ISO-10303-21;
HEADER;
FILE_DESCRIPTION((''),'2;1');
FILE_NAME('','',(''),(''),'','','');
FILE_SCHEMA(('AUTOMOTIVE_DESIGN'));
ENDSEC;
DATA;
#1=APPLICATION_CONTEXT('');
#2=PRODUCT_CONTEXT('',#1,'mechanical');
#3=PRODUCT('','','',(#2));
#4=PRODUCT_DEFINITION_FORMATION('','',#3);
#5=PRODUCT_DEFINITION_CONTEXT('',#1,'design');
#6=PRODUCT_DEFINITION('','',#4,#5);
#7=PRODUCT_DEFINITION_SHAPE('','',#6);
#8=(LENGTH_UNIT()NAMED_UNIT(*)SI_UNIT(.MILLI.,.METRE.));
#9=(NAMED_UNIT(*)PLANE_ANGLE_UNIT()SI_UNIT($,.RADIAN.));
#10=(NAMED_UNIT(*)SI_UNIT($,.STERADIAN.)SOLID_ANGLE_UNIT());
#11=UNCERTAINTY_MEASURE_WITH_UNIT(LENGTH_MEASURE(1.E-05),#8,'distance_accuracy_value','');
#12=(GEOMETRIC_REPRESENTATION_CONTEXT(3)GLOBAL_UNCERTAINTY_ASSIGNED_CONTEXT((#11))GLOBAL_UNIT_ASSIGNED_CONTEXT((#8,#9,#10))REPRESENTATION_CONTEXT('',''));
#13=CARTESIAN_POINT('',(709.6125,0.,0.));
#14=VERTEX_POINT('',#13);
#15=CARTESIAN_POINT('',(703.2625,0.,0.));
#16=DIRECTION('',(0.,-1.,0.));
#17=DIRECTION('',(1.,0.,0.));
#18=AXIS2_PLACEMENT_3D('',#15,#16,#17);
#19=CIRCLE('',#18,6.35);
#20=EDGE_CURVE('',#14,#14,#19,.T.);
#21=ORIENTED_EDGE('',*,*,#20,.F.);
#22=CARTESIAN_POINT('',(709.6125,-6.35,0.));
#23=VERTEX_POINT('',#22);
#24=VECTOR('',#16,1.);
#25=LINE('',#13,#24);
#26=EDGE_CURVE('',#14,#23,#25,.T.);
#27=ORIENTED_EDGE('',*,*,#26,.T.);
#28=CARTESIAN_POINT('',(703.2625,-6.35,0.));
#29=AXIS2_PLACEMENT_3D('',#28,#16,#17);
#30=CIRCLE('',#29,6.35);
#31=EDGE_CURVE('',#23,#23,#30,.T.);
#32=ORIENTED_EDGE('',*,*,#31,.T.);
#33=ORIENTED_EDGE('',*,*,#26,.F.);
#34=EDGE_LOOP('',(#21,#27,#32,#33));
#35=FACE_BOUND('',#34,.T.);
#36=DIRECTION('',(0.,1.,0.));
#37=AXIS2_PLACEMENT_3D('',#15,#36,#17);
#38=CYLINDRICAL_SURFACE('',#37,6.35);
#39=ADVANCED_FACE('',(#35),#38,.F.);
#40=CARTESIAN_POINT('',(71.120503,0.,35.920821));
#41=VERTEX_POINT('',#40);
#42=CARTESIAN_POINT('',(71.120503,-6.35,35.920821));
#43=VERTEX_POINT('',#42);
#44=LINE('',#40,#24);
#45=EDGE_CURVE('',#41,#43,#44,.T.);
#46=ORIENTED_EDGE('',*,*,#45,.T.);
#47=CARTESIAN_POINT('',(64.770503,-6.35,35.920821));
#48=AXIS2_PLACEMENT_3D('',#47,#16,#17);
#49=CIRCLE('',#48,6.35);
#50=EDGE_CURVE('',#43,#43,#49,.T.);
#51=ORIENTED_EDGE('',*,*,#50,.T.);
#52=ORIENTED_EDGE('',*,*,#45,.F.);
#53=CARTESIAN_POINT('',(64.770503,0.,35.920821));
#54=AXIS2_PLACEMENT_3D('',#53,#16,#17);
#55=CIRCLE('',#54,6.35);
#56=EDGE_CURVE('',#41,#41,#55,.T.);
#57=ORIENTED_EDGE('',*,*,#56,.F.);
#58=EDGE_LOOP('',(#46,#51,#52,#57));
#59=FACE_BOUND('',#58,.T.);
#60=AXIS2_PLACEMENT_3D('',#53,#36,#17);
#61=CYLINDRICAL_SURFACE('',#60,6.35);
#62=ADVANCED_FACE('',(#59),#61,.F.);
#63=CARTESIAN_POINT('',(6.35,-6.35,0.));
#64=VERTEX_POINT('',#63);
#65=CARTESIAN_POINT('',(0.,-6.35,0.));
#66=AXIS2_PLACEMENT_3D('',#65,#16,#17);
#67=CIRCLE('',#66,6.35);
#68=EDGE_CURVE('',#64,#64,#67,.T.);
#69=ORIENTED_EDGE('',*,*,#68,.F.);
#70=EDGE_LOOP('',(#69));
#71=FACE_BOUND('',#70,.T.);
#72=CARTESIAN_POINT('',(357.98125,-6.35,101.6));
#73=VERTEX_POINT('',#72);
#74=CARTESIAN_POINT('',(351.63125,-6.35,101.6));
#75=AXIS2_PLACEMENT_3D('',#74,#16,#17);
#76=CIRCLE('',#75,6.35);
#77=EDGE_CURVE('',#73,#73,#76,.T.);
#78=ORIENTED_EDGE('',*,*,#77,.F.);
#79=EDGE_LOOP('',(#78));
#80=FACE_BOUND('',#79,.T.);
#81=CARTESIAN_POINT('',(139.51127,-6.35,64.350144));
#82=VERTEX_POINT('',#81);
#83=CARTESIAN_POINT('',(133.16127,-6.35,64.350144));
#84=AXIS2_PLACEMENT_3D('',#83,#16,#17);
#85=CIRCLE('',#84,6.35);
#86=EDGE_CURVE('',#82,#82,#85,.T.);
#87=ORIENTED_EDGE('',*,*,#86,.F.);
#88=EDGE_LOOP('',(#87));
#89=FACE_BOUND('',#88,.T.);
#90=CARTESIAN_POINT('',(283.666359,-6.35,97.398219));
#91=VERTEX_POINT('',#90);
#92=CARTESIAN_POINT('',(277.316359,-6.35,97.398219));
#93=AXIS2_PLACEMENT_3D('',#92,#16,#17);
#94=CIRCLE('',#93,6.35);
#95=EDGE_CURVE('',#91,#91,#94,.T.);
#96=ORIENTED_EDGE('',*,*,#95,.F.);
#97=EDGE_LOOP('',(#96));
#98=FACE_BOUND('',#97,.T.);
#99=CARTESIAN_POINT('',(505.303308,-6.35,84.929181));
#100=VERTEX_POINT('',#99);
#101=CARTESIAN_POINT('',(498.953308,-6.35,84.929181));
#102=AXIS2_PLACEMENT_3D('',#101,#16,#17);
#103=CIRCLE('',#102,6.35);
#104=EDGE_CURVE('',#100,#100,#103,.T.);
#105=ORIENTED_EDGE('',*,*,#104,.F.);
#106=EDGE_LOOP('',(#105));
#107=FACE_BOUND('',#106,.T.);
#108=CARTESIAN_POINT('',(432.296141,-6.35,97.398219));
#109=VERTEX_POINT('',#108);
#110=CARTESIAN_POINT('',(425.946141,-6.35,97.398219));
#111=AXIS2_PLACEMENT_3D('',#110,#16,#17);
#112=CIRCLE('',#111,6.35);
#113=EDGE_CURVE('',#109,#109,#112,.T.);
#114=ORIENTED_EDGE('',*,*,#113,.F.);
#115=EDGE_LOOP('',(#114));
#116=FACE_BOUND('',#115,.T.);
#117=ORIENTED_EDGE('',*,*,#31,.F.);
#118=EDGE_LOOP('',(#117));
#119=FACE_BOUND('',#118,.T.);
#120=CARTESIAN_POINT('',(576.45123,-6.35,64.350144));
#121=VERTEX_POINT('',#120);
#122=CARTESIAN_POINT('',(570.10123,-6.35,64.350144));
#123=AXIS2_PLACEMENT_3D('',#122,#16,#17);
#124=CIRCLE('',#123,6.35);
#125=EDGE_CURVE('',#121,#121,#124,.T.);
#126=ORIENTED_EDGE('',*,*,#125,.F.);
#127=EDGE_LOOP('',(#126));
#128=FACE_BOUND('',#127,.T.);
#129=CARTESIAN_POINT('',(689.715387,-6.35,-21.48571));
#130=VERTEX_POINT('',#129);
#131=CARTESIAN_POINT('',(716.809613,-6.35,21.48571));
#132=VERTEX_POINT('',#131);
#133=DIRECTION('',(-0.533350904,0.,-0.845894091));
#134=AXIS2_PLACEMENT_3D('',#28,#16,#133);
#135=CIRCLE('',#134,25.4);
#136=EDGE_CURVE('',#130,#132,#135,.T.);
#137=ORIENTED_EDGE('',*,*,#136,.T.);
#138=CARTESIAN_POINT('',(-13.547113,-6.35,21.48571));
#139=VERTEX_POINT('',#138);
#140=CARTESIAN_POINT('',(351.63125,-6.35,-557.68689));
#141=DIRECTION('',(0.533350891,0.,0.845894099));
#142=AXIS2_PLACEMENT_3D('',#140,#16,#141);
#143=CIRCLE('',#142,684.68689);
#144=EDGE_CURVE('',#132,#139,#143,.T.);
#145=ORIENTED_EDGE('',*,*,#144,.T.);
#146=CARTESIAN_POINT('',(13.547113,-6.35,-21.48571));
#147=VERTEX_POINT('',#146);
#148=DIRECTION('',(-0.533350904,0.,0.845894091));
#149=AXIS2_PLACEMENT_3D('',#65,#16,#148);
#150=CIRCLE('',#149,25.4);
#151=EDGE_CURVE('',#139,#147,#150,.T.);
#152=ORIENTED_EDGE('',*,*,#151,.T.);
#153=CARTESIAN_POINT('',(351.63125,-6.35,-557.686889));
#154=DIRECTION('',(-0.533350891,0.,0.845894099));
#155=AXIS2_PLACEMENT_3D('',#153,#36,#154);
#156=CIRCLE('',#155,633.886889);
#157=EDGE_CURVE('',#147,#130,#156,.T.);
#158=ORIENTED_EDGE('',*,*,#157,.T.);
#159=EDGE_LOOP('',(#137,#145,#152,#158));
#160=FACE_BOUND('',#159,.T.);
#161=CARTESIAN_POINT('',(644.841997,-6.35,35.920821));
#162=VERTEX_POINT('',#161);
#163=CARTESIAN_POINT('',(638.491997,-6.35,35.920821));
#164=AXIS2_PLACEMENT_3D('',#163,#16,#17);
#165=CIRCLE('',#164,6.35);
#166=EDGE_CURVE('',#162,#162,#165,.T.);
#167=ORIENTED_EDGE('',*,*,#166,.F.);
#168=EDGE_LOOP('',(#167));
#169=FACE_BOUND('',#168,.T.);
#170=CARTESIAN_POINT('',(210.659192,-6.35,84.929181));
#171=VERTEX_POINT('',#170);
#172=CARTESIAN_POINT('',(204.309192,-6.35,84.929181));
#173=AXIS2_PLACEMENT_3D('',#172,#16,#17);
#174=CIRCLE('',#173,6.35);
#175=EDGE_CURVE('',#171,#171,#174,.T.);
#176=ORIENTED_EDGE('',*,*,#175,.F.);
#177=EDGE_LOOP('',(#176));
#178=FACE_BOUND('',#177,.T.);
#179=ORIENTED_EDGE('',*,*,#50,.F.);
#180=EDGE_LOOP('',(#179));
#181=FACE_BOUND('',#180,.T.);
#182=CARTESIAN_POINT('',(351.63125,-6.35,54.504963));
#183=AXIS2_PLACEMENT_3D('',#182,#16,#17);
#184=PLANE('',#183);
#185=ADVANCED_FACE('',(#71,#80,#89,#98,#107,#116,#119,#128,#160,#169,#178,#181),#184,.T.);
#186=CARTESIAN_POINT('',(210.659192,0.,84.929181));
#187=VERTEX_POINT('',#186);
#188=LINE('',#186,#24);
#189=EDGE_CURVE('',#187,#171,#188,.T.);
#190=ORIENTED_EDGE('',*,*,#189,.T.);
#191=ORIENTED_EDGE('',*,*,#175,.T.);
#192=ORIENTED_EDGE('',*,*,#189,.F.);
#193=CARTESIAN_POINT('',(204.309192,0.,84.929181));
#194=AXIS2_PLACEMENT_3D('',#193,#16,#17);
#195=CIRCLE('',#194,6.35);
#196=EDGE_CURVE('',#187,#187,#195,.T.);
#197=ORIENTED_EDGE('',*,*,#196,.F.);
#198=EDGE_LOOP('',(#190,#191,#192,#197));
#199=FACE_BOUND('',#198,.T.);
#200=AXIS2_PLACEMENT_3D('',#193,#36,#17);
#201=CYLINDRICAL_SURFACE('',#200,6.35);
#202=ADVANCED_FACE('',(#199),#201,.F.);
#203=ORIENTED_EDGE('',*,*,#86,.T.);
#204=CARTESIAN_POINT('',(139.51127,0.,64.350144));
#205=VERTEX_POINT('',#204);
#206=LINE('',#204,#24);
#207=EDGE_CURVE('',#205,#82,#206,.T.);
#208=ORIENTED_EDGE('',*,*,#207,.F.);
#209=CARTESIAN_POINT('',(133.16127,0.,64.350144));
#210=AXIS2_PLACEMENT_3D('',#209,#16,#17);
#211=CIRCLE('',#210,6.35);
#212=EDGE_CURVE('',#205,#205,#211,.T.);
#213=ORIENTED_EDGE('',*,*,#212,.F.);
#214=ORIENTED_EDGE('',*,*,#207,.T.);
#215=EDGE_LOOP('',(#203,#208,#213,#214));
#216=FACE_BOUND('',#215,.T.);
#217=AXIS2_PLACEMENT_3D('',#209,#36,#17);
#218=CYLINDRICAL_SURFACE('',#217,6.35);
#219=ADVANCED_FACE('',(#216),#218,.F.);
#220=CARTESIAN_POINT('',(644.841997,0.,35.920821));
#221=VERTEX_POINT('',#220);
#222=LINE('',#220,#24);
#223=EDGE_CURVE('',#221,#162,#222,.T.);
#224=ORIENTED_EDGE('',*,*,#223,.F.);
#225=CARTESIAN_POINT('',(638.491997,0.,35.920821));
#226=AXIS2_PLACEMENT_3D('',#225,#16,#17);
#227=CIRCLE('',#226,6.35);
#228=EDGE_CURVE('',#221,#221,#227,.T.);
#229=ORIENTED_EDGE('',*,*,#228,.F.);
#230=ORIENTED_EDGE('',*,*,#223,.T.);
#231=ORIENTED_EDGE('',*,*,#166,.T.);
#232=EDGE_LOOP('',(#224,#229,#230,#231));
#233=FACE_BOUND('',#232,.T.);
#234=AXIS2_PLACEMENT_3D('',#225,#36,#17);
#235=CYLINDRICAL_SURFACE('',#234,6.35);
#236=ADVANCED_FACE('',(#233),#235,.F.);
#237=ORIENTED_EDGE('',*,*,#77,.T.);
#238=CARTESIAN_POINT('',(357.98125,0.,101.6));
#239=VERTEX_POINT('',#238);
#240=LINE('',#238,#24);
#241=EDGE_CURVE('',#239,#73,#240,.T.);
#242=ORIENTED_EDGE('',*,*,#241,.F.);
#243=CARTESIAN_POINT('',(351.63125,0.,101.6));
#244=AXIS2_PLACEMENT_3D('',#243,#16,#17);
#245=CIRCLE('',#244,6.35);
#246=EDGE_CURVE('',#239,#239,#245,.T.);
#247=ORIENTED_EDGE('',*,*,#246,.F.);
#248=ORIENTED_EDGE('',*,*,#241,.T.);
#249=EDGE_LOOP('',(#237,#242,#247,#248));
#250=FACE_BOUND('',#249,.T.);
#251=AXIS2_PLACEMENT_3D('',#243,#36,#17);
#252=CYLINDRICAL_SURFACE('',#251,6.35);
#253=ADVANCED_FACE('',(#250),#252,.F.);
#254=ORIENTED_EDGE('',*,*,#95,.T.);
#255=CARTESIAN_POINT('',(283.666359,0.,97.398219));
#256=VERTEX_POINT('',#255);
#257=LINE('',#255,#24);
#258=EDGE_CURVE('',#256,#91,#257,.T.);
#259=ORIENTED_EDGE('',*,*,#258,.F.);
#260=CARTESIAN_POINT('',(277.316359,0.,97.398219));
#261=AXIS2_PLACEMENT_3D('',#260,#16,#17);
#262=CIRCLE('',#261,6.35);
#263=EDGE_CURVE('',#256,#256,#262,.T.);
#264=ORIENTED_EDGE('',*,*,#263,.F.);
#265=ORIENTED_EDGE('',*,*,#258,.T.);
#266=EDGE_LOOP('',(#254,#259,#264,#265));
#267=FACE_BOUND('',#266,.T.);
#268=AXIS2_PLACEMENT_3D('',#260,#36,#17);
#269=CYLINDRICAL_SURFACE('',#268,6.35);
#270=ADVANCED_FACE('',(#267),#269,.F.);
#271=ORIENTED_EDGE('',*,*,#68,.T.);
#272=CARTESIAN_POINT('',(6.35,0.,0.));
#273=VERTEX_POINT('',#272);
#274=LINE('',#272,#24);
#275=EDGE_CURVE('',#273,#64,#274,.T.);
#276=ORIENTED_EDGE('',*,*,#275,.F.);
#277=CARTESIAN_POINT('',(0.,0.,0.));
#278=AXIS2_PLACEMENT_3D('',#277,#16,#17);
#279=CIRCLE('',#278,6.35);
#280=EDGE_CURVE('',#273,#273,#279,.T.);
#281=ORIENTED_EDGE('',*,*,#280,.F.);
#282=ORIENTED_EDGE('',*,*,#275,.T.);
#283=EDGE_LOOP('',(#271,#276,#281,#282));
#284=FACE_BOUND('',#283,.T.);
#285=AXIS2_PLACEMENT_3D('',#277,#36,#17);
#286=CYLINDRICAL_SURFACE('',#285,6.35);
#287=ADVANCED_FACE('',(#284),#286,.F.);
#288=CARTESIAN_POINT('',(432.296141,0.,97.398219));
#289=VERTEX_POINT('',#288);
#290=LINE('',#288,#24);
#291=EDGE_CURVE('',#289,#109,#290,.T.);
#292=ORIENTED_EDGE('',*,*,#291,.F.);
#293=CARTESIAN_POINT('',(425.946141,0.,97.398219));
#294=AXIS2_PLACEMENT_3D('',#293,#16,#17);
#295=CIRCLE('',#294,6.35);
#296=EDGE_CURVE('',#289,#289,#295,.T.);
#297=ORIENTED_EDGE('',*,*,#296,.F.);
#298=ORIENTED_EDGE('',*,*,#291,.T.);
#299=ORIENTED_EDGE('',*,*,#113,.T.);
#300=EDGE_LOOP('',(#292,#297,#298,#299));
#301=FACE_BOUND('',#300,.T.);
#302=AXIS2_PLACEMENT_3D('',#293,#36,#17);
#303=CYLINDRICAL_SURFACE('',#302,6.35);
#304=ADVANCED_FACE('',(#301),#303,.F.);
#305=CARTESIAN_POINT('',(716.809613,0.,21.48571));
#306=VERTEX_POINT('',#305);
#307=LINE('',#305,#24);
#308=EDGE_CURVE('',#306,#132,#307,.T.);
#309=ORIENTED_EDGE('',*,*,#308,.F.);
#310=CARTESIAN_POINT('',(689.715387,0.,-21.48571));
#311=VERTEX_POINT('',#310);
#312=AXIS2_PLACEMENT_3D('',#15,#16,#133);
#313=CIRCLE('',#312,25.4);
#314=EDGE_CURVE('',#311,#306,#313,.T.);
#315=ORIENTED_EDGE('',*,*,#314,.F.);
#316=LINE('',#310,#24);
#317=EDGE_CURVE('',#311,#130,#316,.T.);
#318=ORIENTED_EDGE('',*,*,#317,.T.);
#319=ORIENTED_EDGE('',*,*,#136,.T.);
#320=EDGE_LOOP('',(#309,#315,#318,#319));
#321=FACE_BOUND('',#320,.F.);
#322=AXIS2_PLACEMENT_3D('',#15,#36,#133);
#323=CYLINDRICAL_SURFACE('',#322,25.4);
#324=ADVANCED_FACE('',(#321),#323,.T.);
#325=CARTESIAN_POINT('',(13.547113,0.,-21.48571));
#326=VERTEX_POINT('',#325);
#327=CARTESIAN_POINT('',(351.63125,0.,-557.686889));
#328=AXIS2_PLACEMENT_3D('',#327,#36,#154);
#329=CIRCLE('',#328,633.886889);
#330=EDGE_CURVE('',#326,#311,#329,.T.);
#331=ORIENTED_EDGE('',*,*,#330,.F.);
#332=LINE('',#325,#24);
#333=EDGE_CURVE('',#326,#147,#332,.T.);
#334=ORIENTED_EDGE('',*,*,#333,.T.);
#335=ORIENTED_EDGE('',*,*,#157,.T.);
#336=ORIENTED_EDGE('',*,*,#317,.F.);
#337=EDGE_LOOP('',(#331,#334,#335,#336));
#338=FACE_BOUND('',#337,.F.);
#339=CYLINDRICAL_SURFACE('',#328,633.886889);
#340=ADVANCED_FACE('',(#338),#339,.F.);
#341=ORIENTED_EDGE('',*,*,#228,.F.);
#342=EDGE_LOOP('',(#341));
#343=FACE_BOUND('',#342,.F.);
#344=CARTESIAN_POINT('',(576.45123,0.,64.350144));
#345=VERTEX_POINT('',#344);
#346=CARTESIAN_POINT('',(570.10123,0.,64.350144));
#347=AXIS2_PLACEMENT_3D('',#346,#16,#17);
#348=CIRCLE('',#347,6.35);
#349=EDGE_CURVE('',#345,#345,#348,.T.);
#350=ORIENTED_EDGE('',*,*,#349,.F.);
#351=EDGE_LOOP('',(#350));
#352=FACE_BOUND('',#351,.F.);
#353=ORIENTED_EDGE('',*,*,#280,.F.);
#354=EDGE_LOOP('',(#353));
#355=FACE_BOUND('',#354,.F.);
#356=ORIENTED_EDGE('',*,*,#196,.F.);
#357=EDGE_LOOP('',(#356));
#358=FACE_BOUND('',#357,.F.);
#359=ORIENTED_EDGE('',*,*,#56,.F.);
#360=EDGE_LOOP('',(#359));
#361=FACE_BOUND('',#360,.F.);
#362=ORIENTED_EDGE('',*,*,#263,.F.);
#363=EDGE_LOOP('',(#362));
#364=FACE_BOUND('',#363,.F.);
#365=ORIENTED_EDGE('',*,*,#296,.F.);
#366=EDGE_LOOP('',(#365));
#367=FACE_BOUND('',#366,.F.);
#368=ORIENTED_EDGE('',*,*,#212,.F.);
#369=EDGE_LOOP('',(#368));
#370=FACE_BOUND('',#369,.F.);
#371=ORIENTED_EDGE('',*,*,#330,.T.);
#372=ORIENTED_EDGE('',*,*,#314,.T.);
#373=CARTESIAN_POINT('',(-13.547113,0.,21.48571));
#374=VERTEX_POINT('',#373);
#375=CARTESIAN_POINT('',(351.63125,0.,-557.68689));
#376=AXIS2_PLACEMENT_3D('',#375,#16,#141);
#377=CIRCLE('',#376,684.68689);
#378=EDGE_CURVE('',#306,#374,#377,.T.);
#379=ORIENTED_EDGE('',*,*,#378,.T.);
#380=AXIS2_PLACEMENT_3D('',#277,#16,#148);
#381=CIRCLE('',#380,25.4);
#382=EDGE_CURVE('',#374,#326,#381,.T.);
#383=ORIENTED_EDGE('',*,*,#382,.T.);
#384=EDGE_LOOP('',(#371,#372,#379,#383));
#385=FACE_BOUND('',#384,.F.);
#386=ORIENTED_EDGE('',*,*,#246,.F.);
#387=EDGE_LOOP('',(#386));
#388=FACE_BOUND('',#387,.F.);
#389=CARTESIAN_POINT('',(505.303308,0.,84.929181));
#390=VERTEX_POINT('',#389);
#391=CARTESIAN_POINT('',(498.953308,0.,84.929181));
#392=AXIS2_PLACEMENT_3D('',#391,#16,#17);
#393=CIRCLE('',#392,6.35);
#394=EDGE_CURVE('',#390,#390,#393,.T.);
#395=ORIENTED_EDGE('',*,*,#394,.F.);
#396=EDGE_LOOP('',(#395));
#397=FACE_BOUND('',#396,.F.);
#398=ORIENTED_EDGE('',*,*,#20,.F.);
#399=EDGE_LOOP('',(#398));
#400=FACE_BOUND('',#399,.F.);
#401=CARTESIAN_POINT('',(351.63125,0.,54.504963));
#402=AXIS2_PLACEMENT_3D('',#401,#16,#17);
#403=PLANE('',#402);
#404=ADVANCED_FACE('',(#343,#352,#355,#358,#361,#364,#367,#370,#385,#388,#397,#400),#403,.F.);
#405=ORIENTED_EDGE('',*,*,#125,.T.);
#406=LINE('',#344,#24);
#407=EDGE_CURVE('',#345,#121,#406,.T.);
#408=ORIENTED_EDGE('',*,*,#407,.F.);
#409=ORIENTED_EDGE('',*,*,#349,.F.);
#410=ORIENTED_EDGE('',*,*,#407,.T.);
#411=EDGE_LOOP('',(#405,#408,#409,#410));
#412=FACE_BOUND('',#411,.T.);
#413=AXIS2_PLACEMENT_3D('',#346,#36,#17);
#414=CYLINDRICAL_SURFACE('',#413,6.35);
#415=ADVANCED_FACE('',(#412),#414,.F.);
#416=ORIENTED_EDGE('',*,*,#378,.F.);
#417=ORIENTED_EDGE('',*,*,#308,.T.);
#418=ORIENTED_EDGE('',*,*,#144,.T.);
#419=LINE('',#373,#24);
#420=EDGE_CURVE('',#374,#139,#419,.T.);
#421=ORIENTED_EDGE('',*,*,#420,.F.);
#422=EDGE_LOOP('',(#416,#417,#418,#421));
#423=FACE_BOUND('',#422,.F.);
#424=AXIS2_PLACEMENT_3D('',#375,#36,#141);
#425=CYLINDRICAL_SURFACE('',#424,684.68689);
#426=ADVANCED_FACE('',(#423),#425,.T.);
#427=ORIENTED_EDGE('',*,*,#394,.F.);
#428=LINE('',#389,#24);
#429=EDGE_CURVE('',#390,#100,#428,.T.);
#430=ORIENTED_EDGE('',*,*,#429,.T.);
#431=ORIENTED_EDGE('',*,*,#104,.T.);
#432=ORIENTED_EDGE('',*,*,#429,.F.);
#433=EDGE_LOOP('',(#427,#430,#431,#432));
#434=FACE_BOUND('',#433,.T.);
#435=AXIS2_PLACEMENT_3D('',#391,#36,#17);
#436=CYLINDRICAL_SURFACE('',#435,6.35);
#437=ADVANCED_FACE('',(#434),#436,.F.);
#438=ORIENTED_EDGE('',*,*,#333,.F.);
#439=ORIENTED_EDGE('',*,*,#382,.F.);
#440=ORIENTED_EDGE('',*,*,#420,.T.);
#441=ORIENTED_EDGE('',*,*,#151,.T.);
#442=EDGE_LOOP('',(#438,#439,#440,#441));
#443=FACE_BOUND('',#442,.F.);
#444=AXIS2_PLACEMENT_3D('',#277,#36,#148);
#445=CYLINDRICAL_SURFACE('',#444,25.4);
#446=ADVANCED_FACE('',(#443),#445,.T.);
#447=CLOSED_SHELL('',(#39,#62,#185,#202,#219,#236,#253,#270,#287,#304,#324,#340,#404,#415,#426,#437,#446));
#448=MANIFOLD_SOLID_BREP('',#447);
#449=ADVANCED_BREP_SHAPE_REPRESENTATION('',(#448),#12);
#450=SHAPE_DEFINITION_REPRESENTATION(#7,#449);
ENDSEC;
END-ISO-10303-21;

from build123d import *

# Parameters (mm, degrees)
F0_R     = 6.35
F1_DEPTH = 6.35


with BuildPart() as f1:
    # F0 (on Front) → F1 (new body)
    with BuildSketch(Plane.XZ):
        with BuildLine():
            ThreePointArc((689.715387, -21.48571), (724.74821, -13.547113), (716.809613, 21.48571))
            ThreePointArc((716.809613, 21.48571), (351.63125, 127), (-13.547113, 21.48571))
            ThreePointArc((-13.547113, 21.48571), (-21.48571, -13.547113), (13.547113, -21.48571))
            ThreePointArc((13.547113, -21.48571), (351.63125, 76.2), (689.715387, -21.48571))
        make_face()
        Circle(F0_R, mode=Mode.SUBTRACT)
        with Locations((64.770503, 35.920821)):
            Circle(F0_R, mode=Mode.SUBTRACT)
        with Locations((703.2625, 0)):
            Circle(F0_R, mode=Mode.SUBTRACT)
        with Locations((638.491997, 35.920821)):
            Circle(F0_R, mode=Mode.SUBTRACT)
        with Locations((133.16127, 64.350144)):
            Circle(F0_R, mode=Mode.SUBTRACT)
        with Locations((204.309192, 84.929181)):
            Circle(F0_R, mode=Mode.SUBTRACT)
        with Locations((277.316359, 97.398219)):
            Circle(F0_R, mode=Mode.SUBTRACT)
        with Locations((351.63125, 101.6)):
            Circle(F0_R, mode=Mode.SUBTRACT)
        with Locations((498.953308, 84.929181)):
            Circle(F0_R, mode=Mode.SUBTRACT)
        with Locations((570.10123, 64.350144)):
            Circle(F0_R, mode=Mode.SUBTRACT)
        with Locations((425.946141, 97.398219)):
            Circle(F0_R, mode=Mode.SUBTRACT)
    extrude(amount=F1_DEPTH)


solid = f1.part
